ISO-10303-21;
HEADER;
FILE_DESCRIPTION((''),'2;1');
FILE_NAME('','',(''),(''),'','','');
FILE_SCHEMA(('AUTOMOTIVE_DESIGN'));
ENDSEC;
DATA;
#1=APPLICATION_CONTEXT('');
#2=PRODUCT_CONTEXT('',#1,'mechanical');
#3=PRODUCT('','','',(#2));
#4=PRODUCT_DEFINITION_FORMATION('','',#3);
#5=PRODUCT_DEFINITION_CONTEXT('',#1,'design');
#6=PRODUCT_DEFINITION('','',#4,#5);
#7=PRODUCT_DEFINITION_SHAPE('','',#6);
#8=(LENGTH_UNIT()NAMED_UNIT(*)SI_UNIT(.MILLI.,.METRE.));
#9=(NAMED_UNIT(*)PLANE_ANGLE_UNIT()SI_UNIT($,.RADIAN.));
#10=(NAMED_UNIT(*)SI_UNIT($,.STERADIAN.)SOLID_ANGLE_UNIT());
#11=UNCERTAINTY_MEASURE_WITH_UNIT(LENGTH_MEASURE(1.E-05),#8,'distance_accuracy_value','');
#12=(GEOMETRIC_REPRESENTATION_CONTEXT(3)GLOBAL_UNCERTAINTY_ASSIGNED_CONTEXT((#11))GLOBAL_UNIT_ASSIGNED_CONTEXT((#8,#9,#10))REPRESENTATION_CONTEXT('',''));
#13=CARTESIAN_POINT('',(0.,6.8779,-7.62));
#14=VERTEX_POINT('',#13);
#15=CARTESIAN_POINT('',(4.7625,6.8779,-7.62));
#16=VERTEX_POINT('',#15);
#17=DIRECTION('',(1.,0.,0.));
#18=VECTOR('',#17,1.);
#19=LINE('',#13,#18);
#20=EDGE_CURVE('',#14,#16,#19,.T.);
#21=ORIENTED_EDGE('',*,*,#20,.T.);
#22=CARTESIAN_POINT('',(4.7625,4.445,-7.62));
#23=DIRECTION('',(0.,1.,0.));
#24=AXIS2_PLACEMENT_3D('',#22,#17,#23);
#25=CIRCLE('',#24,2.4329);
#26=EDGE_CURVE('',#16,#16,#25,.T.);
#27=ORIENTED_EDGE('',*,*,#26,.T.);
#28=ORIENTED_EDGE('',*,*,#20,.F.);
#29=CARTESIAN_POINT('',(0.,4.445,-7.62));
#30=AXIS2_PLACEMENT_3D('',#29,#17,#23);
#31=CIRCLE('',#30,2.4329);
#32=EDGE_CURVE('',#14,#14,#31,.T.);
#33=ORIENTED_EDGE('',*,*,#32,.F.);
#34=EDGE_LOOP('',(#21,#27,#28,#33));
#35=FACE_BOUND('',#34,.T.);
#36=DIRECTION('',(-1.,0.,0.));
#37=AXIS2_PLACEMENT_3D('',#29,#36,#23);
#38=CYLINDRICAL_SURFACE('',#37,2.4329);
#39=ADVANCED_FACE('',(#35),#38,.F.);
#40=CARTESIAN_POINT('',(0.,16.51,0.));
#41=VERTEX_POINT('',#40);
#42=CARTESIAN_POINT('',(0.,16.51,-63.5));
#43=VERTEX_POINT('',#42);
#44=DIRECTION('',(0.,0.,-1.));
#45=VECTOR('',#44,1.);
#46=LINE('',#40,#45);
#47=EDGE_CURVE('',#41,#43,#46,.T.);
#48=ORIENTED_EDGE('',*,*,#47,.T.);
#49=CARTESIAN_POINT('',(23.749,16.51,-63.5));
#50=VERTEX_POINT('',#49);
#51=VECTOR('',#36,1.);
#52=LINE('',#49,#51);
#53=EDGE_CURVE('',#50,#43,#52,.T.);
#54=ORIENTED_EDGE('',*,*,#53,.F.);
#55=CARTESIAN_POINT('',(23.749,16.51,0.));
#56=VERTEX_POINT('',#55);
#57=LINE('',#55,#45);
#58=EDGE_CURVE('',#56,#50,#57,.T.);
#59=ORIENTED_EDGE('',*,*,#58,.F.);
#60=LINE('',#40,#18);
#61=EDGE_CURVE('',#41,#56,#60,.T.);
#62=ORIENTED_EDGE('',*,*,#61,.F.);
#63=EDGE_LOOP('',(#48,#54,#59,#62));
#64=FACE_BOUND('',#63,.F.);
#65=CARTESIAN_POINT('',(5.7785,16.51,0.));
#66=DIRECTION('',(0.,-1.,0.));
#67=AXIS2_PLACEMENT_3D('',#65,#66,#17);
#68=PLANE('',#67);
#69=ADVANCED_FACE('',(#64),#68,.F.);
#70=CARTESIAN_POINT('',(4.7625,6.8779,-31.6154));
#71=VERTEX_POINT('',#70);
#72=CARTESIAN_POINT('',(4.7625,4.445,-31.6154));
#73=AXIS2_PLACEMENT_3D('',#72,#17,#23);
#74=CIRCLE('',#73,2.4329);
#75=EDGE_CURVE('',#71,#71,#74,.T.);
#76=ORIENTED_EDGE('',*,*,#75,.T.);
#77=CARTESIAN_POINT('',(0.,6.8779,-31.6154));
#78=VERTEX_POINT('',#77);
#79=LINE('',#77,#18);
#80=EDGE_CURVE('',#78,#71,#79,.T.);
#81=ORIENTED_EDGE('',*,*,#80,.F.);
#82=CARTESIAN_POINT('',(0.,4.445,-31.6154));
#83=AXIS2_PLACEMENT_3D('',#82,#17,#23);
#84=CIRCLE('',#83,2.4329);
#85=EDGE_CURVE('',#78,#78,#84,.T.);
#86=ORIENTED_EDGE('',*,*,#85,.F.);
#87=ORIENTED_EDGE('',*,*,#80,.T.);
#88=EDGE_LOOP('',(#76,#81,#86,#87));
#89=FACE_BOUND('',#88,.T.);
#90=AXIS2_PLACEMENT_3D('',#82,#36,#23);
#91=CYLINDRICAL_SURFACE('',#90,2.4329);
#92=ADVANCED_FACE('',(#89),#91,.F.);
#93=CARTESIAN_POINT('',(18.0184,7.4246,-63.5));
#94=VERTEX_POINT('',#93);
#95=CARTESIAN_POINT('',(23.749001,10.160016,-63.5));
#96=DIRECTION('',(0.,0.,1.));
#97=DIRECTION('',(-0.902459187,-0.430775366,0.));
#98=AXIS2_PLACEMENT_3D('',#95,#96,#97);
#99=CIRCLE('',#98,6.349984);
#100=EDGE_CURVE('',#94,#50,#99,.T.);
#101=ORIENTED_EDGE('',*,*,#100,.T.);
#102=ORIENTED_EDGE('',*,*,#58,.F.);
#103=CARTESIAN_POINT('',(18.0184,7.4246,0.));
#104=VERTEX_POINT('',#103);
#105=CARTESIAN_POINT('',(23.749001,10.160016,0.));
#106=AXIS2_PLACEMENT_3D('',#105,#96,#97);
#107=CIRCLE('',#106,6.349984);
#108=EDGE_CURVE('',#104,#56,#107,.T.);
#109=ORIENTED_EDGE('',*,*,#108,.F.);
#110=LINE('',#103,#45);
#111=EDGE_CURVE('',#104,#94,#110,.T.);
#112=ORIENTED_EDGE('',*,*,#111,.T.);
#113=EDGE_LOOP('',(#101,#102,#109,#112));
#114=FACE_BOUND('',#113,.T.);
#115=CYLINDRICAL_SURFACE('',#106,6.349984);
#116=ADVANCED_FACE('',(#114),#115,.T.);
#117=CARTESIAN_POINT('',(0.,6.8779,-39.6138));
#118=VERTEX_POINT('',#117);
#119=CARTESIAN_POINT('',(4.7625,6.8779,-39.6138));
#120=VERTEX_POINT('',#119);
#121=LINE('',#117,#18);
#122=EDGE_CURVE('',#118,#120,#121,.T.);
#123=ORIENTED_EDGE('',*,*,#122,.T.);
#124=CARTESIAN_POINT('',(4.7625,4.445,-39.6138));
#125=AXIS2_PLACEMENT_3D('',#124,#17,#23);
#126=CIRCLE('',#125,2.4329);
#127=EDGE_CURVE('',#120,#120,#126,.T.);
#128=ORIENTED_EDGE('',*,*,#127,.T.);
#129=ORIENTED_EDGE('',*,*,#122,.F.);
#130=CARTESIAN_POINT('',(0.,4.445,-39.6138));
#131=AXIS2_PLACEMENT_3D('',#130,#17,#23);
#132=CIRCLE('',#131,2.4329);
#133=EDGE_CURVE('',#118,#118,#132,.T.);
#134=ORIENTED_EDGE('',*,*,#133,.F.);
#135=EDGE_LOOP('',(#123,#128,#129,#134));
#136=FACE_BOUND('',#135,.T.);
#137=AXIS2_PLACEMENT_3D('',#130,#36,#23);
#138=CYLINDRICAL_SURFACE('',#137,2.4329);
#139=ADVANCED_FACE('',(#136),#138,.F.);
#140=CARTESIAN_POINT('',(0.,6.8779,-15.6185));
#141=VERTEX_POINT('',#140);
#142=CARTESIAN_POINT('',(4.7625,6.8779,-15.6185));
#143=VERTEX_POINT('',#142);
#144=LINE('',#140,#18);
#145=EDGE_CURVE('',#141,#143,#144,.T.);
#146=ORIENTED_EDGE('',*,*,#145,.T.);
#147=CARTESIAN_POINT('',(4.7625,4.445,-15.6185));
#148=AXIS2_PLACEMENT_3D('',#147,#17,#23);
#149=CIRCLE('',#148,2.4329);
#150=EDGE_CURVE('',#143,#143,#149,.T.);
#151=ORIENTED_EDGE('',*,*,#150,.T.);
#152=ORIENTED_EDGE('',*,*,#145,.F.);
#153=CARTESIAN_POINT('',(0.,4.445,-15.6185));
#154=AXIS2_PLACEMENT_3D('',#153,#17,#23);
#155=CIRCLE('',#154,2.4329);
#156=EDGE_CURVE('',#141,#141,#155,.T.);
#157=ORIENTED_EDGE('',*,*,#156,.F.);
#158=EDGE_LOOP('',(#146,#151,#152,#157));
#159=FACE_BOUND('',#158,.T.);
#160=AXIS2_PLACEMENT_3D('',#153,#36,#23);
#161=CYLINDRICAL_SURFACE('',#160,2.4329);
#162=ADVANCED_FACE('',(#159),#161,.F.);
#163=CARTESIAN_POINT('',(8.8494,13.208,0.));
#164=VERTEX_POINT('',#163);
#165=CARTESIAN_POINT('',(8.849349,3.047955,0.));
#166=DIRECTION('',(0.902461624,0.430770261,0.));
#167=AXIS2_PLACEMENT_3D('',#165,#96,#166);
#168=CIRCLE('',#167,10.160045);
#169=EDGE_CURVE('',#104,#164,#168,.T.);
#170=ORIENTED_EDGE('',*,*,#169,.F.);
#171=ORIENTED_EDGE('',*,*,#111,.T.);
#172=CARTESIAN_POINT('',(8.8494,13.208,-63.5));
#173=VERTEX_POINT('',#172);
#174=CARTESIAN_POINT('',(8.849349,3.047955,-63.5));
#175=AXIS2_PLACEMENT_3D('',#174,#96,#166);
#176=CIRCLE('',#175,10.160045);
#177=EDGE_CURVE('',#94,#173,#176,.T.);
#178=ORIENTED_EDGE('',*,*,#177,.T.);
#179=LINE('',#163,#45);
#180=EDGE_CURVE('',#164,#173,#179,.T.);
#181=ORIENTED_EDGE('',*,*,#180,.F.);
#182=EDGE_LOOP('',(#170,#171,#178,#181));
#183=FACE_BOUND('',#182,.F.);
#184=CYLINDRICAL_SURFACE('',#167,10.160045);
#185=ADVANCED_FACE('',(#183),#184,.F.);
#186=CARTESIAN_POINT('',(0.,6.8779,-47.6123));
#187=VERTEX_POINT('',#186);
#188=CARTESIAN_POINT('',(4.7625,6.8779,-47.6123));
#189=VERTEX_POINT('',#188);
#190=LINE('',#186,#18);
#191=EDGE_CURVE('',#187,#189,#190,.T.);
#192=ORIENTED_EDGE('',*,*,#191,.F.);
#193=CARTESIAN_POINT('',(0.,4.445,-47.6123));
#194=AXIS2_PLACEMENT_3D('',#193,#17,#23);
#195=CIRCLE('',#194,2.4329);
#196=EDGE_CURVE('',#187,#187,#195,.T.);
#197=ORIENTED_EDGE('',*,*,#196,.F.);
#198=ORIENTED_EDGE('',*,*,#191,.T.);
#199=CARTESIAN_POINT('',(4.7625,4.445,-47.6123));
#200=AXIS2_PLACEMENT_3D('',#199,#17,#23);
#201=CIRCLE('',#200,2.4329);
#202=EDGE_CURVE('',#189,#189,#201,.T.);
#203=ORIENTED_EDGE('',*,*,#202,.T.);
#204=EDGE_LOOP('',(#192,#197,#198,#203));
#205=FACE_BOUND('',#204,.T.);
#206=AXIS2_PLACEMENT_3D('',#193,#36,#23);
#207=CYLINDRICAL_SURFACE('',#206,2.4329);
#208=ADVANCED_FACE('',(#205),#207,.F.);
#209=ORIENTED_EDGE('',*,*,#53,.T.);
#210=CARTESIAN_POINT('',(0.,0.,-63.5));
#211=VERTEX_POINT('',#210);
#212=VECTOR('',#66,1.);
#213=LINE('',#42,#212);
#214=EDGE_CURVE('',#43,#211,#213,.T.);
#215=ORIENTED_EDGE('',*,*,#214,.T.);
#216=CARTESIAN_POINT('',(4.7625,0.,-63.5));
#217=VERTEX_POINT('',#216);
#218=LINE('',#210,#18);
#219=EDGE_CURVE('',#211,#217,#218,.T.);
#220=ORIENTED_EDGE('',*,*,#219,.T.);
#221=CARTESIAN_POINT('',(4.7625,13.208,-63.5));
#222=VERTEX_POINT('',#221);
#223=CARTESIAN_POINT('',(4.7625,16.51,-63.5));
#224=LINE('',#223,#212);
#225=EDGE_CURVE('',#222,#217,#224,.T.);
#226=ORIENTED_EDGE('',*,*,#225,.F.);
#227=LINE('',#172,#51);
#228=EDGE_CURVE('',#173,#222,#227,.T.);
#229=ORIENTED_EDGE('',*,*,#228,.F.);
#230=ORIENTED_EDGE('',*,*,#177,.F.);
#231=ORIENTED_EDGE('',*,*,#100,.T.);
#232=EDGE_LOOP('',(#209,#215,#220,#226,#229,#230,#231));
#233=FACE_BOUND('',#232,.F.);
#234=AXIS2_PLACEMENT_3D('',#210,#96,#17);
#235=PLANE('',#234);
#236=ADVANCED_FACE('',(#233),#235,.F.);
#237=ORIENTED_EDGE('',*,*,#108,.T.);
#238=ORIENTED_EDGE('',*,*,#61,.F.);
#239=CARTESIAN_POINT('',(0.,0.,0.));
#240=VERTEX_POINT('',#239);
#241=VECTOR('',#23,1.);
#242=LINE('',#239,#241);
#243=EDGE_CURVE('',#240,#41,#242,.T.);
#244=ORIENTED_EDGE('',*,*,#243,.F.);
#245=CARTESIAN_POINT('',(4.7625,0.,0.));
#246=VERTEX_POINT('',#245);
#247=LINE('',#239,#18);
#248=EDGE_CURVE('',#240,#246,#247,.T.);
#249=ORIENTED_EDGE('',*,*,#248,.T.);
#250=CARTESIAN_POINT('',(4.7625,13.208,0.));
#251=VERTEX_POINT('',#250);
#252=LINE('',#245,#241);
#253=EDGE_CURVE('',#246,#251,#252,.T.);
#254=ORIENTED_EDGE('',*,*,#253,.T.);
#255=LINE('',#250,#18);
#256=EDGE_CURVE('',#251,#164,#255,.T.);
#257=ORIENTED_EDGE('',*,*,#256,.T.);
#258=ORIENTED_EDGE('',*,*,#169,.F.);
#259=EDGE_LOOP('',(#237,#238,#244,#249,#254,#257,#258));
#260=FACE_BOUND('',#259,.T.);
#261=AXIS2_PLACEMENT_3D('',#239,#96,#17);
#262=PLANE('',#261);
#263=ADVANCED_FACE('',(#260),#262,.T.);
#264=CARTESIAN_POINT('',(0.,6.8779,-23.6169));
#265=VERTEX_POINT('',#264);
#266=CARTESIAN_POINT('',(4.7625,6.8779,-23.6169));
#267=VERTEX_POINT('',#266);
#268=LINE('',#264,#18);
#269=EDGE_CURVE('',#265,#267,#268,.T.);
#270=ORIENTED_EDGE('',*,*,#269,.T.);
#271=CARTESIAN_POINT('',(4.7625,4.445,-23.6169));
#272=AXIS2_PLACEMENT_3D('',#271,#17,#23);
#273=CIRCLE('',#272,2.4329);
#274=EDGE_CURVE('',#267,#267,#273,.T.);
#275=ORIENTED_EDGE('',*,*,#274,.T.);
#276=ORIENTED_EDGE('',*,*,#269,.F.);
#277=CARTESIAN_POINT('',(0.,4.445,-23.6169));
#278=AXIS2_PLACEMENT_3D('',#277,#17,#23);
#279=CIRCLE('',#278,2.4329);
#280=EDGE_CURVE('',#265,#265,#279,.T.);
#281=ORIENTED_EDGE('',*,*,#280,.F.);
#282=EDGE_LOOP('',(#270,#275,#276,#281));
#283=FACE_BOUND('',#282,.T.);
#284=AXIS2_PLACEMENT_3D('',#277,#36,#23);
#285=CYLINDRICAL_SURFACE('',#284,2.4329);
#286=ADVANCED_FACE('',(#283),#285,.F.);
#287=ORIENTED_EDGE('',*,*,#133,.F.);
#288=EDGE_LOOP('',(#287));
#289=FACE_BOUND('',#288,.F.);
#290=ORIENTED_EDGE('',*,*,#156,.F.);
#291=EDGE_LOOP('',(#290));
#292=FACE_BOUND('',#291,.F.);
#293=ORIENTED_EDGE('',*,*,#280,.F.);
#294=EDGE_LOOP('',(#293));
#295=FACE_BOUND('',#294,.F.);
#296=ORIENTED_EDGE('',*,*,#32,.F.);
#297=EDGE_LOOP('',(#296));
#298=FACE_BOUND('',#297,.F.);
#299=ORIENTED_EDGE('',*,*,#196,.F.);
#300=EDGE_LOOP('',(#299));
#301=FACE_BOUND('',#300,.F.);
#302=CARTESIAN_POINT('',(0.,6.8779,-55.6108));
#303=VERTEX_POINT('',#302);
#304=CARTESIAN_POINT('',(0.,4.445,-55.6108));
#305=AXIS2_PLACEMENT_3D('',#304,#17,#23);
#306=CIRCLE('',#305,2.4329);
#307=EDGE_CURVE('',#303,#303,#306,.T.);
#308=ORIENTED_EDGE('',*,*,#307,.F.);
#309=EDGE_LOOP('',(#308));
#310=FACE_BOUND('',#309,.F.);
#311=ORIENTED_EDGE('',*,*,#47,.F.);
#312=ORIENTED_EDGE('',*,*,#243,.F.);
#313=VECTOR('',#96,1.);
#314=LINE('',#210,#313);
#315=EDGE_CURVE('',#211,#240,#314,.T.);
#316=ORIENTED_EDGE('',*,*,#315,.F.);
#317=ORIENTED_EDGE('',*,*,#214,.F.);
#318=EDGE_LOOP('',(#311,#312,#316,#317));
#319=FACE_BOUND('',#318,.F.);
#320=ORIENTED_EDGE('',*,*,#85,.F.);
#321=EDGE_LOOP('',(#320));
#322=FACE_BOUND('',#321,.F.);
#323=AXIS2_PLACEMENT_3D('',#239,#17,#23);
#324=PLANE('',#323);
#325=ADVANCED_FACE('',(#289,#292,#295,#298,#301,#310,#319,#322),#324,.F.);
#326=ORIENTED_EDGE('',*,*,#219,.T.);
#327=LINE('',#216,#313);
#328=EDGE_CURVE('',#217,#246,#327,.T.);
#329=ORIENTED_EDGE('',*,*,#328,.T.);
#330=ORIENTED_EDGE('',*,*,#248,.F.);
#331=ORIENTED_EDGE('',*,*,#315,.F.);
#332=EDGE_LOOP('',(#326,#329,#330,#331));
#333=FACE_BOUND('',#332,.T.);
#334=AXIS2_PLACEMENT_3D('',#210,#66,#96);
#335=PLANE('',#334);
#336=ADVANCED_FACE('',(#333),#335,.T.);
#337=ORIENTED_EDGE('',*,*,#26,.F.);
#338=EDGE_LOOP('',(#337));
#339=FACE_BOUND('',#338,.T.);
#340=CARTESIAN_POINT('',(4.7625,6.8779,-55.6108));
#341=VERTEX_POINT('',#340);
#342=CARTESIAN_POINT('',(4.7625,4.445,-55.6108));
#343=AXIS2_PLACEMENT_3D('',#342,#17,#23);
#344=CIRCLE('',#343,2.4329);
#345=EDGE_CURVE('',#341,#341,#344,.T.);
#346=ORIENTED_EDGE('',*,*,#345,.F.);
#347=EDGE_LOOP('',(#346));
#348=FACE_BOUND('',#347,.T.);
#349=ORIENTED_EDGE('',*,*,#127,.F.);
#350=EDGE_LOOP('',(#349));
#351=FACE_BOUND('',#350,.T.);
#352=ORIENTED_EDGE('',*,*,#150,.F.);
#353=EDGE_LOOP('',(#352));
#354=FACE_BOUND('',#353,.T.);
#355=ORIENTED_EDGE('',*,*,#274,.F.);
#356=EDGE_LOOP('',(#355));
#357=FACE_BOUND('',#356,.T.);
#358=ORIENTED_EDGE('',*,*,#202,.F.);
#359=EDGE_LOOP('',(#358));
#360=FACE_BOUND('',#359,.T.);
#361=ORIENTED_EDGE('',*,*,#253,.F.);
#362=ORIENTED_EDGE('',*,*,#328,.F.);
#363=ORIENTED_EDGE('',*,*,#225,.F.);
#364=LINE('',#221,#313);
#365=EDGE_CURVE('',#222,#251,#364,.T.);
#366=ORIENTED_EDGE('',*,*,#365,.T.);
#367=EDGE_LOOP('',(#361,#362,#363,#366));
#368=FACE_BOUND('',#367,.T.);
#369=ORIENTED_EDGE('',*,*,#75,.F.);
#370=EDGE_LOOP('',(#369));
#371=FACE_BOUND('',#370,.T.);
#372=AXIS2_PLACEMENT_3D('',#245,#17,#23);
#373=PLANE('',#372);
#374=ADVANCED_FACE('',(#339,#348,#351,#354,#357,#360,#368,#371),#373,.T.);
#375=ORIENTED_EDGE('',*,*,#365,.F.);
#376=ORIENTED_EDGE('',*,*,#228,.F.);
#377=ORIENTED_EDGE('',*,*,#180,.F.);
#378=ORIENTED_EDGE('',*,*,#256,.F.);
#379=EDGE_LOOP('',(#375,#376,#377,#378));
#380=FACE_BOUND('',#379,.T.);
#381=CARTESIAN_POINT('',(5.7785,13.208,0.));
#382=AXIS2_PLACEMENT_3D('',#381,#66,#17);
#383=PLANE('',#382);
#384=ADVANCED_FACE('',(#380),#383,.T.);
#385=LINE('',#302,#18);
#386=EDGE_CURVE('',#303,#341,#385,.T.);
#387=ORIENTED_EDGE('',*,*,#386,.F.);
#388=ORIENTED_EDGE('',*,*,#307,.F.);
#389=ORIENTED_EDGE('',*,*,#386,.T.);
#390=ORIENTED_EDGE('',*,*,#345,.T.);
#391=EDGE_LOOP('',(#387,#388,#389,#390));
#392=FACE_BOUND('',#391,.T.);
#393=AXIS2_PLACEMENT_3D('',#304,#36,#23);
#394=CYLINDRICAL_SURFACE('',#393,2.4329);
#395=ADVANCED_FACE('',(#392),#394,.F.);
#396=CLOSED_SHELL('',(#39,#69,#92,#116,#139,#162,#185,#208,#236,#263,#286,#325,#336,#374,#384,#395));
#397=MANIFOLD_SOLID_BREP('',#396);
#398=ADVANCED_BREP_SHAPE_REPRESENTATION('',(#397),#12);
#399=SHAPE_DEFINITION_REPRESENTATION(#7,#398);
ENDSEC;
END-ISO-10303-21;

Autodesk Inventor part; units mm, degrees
ref_plane "YZ Plane" through (0, 0, 0) normal (1, 0, 0) x (0, 1, 0)
ref_plane "XZ Plane" through (0, 0, 0) normal (0, 1, 0) x (-1, 0, 0)
ref_plane "XY Plane" through (0, 0, 0) normal (0, 0, 1) x (1, 0, 0)
sketch "Sketch1" plane through (0, 0, 0) normal (1, 0, 0) x (0, 1, 0)
  line L0 (0, 0) -> (16.51, 0)
  line L1 (16.51, 0) -> (16.51, -63.5)
  line L2 (16.51, -63.5) -> (0, -63.5)
  line L3 (0, -63.5) -> (0, 0)
  circle A0 centre (4.445, -7.62) radius 2.4329
  circle A1 centre (4.445, -15.6185) radius 2.4329
  circle A2 centre (4.445, -23.6169) radius 2.4329
  circle A3 centre (4.445, -31.6154) radius 2.4329
  circle A4 centre (4.445, -39.6138) radius 2.4329
  circle A5 centre (4.445, -47.6123) radius 2.4329
  circle A6 centre (4.445, -55.6108) radius 2.4329
  dimension "d0" = 63.5
  dimension "d1" = 16.51
  dimension "d6" = 7.9985
  dimension "d11" = 7.62
extrude "Extrusion1" add sketch "Sketch1" along normal blind 4.7625
sketch "Sketch2" plane through (4.7625, 0, 0) normal (1, 0, 0) x (0, 0, -1)
  line L0 (63.5, 16.51) -> (0, 16.51) projected
  line L1 (63.5, 0) -> (63.5, 16.51) projected
  line L2 (0, 16.51) -> (63.5, 16.51)
  line L3 (63.5, 16.51) -> (63.5, 13.208)
  line L4 (63.5, 13.208) -> (0, 13.208)
  line L5 (0, 13.208) -> (0, 16.51)
  point P0 (0, 0)
  dimension "d14" = 3.302
extrude "Extrusion2" add sketch "Sketch2" along normal blind 1.016
sketch "Sketch3" plane through (0, 0, 0) normal (0, 0, 1) x (1, 0, 0)
  line L0 (5.7785, 16.51) -> (5.7785, 13.208) projected
  arc A0 (18.0184, 7.4246) -> (23.749, 16.51) centre (23.749, 10.16) ccw
  line L1 (0, 16.51) -> (0, 0) projected
  line L2 (5.7785, 16.51) -> (23.749, 16.51)
  line L3 (4.7625, 13.208) -> (5.7785, 13.208) projected
  line L4 (5.7785, 13.208) -> (8.8494, 13.208)
  arc A1 (18.0184, 7.4246) -> (8.8494, 13.208) centre (8.8494, 3.048) ccw
  point P0 (18.1783, 13.208)
  point P1 (9.5258, 13.208)
  dimension "d17" = 23.749
  dimension "d18" = 12.7
extrude "Extrusion3" add sketch "Sketch3" against normal blind 63.5
properties part number "knuckle plate original"
